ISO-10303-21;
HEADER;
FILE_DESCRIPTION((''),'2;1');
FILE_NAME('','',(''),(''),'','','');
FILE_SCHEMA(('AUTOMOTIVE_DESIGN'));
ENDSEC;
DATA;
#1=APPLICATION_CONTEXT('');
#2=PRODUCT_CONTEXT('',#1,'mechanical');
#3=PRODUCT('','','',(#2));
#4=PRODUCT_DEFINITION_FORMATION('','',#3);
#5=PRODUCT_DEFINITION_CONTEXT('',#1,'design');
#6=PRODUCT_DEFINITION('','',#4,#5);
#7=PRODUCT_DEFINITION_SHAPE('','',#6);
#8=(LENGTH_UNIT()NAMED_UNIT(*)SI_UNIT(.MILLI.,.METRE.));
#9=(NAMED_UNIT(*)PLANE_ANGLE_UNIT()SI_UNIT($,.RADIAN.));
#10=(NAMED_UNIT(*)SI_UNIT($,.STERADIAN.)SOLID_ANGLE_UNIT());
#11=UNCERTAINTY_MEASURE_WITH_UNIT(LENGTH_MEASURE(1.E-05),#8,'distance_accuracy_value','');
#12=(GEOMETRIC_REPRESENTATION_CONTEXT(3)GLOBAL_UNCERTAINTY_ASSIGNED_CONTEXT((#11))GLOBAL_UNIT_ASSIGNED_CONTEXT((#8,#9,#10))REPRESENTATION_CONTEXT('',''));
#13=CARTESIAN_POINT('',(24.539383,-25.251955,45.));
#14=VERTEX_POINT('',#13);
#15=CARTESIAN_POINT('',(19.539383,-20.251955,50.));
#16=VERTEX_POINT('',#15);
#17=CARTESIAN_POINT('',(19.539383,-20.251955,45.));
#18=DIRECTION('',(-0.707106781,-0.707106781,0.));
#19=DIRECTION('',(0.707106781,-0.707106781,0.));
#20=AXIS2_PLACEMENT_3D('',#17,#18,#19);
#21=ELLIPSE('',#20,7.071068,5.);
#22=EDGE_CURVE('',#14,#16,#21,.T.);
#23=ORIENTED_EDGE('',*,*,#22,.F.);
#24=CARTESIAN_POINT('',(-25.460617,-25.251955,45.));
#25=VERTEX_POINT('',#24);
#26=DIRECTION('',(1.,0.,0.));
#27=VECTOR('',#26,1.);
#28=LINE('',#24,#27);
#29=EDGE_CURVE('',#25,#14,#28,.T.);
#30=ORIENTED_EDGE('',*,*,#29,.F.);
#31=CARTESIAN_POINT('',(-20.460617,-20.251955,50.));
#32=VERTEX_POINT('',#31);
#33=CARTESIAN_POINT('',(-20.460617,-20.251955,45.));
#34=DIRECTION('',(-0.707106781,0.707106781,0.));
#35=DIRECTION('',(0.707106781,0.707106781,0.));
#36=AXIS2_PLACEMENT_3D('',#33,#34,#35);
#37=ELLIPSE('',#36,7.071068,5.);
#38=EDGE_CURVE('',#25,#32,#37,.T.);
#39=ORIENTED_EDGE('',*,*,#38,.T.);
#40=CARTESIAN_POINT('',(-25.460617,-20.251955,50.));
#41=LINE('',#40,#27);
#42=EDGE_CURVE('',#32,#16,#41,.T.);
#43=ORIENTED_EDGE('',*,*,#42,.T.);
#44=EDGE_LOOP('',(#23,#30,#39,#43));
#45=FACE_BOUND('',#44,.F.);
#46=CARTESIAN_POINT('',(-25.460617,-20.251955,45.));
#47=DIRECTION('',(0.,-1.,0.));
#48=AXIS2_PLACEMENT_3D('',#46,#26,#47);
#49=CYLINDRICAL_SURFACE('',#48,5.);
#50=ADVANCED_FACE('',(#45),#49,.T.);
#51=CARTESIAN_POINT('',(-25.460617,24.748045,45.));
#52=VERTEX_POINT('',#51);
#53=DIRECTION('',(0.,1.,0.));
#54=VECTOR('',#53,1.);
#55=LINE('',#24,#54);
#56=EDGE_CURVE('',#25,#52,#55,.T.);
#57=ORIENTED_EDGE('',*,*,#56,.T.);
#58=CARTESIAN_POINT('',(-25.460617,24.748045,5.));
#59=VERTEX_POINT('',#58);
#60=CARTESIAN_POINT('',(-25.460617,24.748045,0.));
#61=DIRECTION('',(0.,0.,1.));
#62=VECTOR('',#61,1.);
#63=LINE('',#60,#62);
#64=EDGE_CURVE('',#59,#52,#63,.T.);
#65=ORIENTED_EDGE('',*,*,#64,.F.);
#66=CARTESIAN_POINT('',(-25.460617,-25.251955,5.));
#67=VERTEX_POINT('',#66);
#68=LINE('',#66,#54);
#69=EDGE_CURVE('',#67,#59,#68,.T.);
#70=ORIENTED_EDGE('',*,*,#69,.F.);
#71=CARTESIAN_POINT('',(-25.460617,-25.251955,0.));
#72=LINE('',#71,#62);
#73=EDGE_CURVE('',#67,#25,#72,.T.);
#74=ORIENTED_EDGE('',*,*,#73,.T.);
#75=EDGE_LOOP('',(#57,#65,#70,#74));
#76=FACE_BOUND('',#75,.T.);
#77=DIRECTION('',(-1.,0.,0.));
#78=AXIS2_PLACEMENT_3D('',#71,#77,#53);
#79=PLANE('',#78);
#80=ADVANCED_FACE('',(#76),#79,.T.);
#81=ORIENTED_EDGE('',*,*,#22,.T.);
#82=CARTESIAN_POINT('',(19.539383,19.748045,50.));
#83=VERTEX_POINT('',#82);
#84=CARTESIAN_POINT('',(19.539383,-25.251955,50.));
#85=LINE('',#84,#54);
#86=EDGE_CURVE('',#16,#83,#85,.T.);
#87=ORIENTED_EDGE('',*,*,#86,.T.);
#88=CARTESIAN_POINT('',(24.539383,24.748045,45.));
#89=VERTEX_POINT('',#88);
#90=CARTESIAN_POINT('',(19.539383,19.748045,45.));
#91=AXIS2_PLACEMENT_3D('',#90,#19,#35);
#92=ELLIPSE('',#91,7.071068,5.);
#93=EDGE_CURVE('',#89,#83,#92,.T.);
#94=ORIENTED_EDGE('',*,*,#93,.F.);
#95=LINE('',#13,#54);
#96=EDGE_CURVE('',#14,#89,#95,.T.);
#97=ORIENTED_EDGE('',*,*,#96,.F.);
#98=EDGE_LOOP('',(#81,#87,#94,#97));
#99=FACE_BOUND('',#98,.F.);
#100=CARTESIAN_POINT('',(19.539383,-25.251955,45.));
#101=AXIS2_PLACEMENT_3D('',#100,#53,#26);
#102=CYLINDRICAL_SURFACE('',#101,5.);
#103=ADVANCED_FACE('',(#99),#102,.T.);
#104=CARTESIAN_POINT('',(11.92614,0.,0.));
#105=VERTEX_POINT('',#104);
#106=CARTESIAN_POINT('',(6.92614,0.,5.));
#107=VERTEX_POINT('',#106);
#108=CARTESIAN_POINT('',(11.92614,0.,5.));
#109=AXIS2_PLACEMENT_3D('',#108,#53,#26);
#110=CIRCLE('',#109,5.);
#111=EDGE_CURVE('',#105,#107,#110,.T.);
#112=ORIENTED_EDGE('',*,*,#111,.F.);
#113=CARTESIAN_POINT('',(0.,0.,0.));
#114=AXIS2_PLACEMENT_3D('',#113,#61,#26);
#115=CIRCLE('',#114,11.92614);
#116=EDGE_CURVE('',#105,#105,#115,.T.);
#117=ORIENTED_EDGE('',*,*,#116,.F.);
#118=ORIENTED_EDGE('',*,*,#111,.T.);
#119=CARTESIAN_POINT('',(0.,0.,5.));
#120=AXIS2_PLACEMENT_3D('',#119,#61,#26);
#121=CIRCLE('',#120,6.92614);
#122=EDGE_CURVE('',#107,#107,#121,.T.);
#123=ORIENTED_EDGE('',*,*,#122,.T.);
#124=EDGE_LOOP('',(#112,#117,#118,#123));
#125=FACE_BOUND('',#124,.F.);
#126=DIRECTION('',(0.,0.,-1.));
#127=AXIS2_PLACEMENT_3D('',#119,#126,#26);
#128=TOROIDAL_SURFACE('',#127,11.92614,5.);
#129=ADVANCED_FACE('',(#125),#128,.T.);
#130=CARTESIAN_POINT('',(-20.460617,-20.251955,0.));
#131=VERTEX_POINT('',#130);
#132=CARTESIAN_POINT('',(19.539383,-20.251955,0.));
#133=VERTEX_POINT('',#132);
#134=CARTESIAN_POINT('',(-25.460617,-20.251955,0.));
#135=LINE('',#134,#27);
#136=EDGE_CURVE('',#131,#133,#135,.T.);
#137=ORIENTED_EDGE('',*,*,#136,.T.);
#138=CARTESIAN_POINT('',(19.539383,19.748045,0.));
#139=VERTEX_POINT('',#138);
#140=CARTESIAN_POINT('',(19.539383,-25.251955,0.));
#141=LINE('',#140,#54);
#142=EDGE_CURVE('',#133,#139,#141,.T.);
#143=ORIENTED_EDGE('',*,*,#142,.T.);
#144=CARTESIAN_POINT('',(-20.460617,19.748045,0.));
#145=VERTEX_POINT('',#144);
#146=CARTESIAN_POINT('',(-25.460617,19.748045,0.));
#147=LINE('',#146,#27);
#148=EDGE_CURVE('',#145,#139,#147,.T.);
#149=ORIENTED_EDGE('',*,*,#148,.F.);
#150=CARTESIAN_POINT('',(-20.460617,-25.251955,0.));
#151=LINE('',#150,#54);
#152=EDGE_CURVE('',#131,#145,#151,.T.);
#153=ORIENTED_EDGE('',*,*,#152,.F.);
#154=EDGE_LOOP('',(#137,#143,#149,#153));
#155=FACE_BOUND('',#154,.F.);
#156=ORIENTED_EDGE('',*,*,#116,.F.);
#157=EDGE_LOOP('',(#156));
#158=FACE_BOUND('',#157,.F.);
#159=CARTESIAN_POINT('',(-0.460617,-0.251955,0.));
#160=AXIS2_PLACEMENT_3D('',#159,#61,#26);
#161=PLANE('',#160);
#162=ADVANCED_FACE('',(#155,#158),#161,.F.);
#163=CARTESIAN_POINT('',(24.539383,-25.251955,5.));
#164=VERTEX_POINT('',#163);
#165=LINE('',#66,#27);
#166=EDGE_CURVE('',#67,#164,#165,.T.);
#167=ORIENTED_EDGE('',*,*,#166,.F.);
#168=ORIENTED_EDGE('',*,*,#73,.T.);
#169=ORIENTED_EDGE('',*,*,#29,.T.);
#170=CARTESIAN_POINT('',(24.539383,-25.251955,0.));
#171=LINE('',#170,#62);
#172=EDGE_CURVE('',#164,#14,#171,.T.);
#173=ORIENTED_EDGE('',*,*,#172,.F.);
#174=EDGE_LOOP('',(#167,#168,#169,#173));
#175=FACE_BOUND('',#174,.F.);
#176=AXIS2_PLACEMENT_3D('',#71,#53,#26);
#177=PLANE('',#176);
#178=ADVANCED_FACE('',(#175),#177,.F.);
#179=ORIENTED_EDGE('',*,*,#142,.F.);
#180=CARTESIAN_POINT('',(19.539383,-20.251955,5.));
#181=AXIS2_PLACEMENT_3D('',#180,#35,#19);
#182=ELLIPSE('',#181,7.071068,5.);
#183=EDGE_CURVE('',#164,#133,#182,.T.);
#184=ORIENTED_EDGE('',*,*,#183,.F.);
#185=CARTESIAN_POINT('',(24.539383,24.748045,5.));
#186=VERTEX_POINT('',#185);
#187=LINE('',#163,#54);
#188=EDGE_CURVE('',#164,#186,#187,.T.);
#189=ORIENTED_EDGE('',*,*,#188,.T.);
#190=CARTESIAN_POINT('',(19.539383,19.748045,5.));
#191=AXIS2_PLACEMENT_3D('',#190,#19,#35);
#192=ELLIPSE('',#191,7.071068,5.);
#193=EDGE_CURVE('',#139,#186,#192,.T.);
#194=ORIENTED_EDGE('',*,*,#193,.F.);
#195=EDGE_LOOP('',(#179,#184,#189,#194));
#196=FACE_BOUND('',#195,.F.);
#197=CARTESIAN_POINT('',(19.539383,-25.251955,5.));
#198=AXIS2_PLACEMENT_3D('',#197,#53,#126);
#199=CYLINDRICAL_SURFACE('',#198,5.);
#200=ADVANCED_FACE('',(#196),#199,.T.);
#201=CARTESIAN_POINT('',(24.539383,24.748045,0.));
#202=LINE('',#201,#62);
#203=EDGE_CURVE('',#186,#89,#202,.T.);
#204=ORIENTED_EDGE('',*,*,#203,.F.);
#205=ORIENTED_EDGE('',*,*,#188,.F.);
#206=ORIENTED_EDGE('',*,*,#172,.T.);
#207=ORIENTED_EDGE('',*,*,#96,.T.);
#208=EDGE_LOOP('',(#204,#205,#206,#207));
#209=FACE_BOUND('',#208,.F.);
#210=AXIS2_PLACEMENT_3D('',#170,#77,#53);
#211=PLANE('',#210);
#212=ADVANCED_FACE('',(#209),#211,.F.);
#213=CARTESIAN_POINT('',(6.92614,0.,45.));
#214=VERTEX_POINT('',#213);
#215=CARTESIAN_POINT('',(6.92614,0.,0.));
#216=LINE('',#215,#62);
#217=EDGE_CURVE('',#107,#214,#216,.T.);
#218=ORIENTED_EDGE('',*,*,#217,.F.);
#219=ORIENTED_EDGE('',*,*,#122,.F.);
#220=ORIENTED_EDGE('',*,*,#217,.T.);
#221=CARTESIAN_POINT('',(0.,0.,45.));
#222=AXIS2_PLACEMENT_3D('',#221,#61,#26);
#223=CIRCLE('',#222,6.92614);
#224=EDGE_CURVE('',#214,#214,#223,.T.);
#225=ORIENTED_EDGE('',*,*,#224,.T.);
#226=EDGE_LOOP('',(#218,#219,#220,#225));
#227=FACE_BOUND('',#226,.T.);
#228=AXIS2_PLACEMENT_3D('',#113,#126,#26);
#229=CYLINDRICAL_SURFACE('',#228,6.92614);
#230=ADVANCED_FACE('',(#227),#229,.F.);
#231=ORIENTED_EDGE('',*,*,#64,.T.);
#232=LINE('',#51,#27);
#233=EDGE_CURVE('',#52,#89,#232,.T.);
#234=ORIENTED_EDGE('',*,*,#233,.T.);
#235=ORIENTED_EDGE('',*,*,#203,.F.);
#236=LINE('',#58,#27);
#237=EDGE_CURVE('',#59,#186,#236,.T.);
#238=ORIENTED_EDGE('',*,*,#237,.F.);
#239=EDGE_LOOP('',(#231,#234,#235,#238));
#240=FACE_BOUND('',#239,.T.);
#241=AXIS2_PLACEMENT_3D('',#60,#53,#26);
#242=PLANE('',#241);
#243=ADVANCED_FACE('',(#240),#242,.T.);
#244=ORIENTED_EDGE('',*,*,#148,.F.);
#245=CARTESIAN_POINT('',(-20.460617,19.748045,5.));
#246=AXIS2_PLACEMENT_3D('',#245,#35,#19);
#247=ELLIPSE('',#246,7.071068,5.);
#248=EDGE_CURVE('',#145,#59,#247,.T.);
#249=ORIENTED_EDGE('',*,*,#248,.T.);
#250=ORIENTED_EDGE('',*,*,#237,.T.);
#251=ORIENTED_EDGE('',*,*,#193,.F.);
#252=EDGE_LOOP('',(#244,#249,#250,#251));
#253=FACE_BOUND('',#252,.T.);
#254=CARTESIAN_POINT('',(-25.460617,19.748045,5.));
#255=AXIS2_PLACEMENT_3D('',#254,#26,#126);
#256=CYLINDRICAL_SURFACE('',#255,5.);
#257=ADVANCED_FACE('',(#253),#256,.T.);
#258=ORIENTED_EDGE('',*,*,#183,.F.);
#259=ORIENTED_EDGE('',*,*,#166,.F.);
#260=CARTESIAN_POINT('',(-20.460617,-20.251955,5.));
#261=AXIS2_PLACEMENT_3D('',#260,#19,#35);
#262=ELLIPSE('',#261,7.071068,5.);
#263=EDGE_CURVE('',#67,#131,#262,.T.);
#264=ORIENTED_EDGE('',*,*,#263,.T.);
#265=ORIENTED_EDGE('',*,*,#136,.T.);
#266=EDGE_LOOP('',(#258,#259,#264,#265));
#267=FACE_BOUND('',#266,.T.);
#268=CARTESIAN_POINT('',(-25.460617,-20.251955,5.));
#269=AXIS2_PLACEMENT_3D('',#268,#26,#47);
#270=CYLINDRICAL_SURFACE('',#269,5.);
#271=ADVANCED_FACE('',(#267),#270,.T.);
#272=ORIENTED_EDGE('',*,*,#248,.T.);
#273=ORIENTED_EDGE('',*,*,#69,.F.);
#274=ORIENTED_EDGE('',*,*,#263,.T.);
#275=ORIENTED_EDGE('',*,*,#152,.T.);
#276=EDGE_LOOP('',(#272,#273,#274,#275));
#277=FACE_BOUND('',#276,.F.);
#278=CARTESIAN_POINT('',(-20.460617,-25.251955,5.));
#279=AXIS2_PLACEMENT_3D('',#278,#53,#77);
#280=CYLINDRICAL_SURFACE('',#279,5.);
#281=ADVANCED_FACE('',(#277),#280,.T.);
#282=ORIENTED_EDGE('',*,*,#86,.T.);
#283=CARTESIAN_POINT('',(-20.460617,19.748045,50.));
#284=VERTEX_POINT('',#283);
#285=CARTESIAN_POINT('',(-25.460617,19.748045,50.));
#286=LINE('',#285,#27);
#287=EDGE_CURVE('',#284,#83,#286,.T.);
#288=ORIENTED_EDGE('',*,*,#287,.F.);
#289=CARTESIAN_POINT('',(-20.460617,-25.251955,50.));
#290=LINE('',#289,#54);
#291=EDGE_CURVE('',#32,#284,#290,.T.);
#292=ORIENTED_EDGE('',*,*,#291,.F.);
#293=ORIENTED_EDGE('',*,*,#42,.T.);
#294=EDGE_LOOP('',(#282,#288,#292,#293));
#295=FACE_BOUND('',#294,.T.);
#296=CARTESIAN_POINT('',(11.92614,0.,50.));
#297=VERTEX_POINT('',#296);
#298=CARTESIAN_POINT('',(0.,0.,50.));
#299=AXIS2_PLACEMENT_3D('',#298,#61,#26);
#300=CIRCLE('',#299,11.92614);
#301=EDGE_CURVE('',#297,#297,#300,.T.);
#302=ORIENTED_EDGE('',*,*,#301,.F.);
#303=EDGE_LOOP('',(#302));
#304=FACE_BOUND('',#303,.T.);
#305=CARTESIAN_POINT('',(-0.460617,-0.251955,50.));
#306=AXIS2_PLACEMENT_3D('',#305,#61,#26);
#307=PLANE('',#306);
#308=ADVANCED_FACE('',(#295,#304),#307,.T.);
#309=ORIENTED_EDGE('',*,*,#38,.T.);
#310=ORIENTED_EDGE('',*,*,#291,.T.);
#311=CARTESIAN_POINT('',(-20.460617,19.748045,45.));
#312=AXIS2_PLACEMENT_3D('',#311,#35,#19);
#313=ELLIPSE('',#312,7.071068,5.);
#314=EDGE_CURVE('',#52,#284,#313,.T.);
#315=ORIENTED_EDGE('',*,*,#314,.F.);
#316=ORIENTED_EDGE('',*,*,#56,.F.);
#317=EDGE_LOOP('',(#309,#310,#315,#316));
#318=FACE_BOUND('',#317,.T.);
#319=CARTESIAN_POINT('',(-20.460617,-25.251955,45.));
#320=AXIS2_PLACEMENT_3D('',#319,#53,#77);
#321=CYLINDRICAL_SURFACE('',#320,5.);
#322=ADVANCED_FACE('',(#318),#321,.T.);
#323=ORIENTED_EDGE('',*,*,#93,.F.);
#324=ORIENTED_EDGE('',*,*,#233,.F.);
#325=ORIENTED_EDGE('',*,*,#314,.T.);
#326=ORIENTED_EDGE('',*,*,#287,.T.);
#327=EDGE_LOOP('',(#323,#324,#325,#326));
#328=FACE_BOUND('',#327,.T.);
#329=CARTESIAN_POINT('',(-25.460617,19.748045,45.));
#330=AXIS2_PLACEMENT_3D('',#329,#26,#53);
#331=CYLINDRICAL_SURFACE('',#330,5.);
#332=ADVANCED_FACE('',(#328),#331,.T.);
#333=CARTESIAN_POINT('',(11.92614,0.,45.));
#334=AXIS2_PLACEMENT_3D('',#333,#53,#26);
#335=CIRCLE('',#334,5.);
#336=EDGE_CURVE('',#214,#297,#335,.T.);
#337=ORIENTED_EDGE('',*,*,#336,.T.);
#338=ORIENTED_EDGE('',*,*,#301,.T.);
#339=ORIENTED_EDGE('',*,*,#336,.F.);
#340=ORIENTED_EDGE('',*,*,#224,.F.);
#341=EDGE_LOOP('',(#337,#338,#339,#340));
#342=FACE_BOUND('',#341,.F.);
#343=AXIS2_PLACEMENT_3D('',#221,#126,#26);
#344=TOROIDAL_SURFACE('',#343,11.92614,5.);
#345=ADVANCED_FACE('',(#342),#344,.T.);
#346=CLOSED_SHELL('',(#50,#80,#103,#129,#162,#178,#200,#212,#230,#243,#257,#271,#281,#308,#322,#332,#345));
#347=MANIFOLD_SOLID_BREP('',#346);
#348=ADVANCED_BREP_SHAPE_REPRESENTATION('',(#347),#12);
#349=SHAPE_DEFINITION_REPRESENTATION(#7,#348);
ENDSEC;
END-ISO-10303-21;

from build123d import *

# Parameters (mm, degrees)
F0_W     = 50
F0_H     = 50
F0_R     = 6.92614
F1_DEPTH = 50
F2_DEPTH = 20
F3_R     = 5
F4_R     = 5


with BuildPart() as f1:
    # F0 (on Top) → F1 (new body)
    with BuildSketch(Plane.XY):
        with Locations((-0.460617, -0.251955)):
            Rectangle(F0_W, F0_H)
        Circle(F0_R, mode=Mode.SUBTRACT)
    extrude(amount=F1_DEPTH)

    # F0 (on Top) → F2 (cut)
    with BuildSketch(Plane.XY):
        with Locations((-0.460617, -0.251955)):
            Rectangle(F0_W, F0_H)
        Circle(F0_R, mode=Mode.SUBTRACT)
    extrude(amount=-F2_DEPTH, mode=Mode.SUBTRACT)

    # F3
    f3_edges = [f1.edges().sort_by_distance(p)[0] for p in [
        (-0.460617, 24.748045, 50),
        (-25.460617, -0.251955, 50),
        (-0.460617, -25.251955, 50),
        (24.539383, -0.251955, 50),
        (-6.92614, 0, 50),
    ]]
    fillet(f3_edges, radius=F3_R)

    # F4
    f4_edges = [f1.edges().sort_by_distance(p)[0] for p in [
        (-0.460617, 24.748045, 0),
        (-25.460617, -0.251955, 0),
        (-0.460617, -25.251955, 0),
        (24.539383, -0.251955, 0),
        (-6.92614, 0, 0),
    ]]
    fillet(f4_edges, radius=F4_R)


solid = f1.part
